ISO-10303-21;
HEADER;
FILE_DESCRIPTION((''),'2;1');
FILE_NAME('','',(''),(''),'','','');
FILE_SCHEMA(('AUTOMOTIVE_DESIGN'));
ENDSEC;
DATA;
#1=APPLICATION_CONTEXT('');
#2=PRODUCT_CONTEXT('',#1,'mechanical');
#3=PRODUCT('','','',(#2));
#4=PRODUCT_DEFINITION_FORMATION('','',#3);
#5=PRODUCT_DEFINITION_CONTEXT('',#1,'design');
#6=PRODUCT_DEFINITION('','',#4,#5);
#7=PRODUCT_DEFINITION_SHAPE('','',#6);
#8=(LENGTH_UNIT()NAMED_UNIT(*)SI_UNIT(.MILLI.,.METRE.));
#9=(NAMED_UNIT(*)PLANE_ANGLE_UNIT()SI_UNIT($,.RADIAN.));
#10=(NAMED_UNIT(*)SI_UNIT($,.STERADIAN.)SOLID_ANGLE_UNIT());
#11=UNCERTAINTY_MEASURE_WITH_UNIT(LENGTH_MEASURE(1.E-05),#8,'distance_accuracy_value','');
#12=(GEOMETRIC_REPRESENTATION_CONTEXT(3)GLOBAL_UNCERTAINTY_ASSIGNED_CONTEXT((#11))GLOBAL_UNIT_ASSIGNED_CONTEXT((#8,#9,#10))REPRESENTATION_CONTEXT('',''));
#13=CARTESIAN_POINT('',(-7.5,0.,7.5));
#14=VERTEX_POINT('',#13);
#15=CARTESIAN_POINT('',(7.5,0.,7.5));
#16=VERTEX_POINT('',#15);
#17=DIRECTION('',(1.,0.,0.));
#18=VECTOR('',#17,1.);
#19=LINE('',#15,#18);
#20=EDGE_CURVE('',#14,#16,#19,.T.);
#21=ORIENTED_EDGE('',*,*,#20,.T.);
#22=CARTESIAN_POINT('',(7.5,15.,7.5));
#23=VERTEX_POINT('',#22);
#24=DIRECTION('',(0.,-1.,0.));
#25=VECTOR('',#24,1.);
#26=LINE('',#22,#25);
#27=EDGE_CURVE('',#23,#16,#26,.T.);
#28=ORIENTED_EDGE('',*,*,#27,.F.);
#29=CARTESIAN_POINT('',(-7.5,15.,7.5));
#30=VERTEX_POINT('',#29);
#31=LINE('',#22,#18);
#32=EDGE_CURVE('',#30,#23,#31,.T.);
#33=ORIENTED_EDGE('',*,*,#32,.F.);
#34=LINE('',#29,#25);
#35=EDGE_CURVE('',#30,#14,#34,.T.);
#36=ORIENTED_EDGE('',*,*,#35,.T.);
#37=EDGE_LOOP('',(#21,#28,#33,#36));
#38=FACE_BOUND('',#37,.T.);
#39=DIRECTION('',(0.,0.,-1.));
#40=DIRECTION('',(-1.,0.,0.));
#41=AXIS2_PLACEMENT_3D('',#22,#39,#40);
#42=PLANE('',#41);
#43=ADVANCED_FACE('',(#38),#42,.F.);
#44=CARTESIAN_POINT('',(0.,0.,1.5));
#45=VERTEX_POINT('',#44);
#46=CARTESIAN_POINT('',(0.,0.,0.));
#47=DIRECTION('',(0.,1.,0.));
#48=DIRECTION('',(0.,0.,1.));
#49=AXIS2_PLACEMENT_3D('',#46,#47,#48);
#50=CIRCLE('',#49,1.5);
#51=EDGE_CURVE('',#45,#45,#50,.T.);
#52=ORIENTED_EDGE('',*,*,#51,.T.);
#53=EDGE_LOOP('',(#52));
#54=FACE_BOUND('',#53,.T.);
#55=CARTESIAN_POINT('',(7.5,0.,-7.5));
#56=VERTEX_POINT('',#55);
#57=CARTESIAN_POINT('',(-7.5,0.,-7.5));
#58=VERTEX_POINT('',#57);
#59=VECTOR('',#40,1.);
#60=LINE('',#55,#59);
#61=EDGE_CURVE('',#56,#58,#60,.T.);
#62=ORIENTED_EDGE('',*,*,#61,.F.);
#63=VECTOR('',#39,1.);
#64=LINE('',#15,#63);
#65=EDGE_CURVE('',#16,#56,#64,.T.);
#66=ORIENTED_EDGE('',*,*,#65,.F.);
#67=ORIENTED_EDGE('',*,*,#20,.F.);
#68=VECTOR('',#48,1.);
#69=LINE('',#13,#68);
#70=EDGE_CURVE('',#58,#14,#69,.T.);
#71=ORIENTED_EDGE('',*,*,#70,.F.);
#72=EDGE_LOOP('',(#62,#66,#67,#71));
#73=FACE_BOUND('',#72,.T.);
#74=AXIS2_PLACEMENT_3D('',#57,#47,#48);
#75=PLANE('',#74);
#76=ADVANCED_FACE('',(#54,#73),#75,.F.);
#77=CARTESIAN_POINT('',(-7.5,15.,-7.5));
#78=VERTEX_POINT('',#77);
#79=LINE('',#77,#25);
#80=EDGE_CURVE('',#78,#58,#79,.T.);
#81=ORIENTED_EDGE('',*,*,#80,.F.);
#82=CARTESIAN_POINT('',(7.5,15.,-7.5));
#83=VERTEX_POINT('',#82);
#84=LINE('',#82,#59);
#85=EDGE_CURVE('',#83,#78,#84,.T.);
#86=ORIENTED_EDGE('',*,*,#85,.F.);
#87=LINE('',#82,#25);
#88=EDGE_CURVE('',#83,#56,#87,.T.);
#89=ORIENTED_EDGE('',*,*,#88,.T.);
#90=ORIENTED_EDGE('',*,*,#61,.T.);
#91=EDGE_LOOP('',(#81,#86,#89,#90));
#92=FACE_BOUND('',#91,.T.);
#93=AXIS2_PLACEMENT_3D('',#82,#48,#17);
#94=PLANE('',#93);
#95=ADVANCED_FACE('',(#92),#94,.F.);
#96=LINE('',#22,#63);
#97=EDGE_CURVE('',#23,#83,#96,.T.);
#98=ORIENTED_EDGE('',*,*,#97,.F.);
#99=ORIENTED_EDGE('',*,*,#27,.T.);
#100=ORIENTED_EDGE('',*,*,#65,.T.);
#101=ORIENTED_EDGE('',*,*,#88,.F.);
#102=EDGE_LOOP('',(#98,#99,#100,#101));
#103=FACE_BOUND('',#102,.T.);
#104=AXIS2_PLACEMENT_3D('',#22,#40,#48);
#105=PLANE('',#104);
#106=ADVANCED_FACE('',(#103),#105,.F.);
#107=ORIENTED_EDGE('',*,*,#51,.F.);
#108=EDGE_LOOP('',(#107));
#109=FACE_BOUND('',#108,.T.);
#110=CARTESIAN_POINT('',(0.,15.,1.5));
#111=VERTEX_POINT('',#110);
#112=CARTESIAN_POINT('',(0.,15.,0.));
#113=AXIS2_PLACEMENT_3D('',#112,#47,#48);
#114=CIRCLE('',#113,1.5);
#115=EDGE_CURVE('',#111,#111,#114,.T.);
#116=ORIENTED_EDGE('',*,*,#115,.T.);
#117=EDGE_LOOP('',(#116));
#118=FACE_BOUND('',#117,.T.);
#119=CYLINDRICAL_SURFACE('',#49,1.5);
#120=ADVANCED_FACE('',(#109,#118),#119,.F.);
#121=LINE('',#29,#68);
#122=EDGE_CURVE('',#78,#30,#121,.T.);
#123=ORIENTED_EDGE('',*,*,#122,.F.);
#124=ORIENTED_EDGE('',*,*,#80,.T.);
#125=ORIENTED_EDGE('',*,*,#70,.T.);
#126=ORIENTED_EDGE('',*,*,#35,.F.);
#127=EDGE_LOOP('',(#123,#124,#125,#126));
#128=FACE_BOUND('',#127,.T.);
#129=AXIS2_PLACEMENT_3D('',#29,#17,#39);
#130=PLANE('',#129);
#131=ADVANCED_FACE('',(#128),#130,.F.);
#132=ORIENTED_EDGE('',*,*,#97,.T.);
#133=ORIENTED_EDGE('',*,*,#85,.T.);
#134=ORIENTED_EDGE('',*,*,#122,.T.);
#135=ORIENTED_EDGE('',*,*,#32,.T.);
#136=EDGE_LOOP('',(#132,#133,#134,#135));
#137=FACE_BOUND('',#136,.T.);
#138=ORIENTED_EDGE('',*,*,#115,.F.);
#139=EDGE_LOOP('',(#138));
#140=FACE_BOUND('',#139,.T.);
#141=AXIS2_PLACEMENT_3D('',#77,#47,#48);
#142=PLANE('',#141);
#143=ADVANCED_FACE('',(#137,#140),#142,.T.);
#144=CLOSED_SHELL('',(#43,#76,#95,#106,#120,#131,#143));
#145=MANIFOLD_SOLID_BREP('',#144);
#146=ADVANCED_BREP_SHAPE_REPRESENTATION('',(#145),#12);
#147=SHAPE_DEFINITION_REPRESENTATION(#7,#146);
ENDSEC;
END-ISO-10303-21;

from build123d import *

# Parameters (mm, degrees)
SKETCH1_W           = 15
SKETCH1_H           = 15
BOSS_EXTRUDE1_DEPTH = 15
SKETCH2_R           = 1.5
CUT_EXTRUDE1_DEPTH  = 19.371173071


with BuildPart() as part:
    # Sketch1 → Boss-Extrude1 (new body)
    with BuildSketch(Plane(origin=(0, 0, 0), x_dir=(1, 0, 0), z_dir=(0, 1, 0))):
        Rectangle(SKETCH1_W, SKETCH1_H)
    extrude(amount=BOSS_EXTRUDE1_DEPTH)

    # Sketch2 → Cut-Extrude1 (cut, through all)
    with BuildSketch(Plane(origin=(0, 15, 0), x_dir=(-1, 0, 0), z_dir=(0, 1, 0))):
        with Locations(Location((0, 0, 0), (0, 0, 90))):
            Circle(SKETCH2_R)
    extrude(amount=-CUT_EXTRUDE1_DEPTH, mode=Mode.SUBTRACT)


solid = part.part
